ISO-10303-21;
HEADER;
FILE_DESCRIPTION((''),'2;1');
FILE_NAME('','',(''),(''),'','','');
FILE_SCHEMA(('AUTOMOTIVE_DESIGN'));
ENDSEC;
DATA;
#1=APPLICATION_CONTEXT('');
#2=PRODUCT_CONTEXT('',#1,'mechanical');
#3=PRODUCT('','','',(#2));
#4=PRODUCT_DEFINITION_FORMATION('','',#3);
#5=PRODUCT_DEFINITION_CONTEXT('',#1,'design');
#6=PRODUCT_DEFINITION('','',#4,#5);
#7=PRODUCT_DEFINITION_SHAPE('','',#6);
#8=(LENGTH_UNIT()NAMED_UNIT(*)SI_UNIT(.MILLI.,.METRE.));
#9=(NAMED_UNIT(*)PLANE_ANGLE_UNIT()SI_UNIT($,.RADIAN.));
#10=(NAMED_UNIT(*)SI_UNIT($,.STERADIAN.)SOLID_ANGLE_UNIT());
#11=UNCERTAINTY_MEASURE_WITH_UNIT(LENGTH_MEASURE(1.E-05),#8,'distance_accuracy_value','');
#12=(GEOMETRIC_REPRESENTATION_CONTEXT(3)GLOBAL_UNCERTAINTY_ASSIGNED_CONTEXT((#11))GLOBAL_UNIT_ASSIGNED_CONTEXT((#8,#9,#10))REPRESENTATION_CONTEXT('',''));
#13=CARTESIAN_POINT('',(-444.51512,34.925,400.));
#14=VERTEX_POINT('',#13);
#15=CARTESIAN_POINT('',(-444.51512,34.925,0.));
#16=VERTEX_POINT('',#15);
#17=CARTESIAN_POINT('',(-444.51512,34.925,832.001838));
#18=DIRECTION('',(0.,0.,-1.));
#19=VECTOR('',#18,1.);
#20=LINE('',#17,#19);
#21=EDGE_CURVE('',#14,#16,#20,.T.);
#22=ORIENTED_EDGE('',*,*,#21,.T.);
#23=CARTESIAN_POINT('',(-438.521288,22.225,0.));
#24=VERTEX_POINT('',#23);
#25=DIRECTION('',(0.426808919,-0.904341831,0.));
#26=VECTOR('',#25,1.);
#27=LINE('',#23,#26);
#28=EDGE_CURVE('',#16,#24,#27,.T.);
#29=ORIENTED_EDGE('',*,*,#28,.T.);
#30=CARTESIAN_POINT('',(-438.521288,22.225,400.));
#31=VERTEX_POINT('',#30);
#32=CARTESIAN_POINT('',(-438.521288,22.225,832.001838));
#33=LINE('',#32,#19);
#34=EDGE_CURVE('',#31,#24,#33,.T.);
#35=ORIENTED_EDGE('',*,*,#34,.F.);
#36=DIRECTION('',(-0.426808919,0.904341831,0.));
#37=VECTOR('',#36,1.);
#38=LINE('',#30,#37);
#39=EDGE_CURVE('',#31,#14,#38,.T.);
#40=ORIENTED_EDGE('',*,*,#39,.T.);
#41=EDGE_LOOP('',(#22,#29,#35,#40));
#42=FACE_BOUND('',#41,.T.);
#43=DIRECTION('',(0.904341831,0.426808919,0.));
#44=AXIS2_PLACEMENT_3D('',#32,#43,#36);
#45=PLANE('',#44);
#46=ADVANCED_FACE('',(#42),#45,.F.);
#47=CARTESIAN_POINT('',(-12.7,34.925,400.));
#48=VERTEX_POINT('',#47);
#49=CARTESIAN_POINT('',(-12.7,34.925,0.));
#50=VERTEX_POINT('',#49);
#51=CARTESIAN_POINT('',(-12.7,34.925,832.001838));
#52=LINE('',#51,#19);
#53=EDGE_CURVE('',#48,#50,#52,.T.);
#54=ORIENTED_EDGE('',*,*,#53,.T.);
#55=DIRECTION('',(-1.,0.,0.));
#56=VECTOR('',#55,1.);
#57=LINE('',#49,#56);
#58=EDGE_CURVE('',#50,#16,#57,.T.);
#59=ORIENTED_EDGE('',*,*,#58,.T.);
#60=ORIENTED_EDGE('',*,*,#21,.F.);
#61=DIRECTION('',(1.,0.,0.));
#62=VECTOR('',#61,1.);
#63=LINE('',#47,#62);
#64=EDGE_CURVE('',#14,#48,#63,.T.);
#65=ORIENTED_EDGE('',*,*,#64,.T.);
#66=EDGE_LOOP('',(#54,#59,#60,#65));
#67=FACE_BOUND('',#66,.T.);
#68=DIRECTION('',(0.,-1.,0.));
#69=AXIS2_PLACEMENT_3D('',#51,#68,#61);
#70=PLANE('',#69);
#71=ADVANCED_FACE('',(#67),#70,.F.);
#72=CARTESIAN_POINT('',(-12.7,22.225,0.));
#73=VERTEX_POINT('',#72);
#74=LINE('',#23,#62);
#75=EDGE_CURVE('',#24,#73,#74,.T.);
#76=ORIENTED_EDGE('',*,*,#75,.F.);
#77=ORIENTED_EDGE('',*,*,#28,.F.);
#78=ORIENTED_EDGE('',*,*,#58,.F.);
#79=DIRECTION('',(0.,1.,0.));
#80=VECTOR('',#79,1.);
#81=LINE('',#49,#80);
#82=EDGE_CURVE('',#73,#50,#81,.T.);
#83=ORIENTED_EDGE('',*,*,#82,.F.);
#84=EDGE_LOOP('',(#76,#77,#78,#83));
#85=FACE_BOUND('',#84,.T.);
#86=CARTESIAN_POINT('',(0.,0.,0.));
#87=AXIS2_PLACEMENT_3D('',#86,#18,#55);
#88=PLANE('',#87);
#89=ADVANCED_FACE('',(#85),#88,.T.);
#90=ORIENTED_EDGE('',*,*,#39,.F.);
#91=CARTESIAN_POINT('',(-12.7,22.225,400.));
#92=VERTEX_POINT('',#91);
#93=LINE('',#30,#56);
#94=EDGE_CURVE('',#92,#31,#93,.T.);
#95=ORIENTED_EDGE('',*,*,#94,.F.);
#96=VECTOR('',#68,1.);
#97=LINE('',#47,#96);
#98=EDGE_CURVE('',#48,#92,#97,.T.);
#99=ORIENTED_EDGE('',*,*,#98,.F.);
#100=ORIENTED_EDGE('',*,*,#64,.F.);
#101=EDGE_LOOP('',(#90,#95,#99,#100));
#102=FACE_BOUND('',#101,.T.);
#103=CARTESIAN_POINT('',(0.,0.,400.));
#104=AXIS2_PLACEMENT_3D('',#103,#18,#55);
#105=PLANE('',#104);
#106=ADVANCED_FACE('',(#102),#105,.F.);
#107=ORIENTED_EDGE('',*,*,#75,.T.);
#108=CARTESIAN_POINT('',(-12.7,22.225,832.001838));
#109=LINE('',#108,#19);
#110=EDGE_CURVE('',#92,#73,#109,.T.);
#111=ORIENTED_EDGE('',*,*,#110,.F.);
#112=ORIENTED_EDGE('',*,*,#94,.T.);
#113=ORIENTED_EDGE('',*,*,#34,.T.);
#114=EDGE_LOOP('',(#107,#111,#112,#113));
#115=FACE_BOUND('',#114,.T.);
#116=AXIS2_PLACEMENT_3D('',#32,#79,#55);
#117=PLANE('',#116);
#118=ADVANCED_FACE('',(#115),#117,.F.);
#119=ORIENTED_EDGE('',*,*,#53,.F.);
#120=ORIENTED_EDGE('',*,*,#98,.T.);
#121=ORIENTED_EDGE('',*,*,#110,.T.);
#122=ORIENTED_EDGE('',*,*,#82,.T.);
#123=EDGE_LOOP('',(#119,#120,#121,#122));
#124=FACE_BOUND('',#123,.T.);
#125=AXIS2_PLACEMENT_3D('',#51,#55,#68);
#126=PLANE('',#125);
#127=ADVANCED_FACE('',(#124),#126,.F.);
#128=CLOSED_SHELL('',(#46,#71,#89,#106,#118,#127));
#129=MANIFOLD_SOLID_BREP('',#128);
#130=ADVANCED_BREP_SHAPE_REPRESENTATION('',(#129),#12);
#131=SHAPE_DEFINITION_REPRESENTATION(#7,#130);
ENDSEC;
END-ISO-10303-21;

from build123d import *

# Parameters (mm, degrees)
BOSS_EXTRUDE1_DEPTH = 400


with BuildPart() as part:
    # Sketch1 → Boss-Extrude1 (new body)
    with BuildSketch(Plane.XY):
        Polygon((-438.52128764, 22.225), (-444.515119941, 34.925), (-12.7, 34.925), (-12.7, 22.225), align=None)
    extrude(amount=BOSS_EXTRUDE1_DEPTH)


solid = part.part
